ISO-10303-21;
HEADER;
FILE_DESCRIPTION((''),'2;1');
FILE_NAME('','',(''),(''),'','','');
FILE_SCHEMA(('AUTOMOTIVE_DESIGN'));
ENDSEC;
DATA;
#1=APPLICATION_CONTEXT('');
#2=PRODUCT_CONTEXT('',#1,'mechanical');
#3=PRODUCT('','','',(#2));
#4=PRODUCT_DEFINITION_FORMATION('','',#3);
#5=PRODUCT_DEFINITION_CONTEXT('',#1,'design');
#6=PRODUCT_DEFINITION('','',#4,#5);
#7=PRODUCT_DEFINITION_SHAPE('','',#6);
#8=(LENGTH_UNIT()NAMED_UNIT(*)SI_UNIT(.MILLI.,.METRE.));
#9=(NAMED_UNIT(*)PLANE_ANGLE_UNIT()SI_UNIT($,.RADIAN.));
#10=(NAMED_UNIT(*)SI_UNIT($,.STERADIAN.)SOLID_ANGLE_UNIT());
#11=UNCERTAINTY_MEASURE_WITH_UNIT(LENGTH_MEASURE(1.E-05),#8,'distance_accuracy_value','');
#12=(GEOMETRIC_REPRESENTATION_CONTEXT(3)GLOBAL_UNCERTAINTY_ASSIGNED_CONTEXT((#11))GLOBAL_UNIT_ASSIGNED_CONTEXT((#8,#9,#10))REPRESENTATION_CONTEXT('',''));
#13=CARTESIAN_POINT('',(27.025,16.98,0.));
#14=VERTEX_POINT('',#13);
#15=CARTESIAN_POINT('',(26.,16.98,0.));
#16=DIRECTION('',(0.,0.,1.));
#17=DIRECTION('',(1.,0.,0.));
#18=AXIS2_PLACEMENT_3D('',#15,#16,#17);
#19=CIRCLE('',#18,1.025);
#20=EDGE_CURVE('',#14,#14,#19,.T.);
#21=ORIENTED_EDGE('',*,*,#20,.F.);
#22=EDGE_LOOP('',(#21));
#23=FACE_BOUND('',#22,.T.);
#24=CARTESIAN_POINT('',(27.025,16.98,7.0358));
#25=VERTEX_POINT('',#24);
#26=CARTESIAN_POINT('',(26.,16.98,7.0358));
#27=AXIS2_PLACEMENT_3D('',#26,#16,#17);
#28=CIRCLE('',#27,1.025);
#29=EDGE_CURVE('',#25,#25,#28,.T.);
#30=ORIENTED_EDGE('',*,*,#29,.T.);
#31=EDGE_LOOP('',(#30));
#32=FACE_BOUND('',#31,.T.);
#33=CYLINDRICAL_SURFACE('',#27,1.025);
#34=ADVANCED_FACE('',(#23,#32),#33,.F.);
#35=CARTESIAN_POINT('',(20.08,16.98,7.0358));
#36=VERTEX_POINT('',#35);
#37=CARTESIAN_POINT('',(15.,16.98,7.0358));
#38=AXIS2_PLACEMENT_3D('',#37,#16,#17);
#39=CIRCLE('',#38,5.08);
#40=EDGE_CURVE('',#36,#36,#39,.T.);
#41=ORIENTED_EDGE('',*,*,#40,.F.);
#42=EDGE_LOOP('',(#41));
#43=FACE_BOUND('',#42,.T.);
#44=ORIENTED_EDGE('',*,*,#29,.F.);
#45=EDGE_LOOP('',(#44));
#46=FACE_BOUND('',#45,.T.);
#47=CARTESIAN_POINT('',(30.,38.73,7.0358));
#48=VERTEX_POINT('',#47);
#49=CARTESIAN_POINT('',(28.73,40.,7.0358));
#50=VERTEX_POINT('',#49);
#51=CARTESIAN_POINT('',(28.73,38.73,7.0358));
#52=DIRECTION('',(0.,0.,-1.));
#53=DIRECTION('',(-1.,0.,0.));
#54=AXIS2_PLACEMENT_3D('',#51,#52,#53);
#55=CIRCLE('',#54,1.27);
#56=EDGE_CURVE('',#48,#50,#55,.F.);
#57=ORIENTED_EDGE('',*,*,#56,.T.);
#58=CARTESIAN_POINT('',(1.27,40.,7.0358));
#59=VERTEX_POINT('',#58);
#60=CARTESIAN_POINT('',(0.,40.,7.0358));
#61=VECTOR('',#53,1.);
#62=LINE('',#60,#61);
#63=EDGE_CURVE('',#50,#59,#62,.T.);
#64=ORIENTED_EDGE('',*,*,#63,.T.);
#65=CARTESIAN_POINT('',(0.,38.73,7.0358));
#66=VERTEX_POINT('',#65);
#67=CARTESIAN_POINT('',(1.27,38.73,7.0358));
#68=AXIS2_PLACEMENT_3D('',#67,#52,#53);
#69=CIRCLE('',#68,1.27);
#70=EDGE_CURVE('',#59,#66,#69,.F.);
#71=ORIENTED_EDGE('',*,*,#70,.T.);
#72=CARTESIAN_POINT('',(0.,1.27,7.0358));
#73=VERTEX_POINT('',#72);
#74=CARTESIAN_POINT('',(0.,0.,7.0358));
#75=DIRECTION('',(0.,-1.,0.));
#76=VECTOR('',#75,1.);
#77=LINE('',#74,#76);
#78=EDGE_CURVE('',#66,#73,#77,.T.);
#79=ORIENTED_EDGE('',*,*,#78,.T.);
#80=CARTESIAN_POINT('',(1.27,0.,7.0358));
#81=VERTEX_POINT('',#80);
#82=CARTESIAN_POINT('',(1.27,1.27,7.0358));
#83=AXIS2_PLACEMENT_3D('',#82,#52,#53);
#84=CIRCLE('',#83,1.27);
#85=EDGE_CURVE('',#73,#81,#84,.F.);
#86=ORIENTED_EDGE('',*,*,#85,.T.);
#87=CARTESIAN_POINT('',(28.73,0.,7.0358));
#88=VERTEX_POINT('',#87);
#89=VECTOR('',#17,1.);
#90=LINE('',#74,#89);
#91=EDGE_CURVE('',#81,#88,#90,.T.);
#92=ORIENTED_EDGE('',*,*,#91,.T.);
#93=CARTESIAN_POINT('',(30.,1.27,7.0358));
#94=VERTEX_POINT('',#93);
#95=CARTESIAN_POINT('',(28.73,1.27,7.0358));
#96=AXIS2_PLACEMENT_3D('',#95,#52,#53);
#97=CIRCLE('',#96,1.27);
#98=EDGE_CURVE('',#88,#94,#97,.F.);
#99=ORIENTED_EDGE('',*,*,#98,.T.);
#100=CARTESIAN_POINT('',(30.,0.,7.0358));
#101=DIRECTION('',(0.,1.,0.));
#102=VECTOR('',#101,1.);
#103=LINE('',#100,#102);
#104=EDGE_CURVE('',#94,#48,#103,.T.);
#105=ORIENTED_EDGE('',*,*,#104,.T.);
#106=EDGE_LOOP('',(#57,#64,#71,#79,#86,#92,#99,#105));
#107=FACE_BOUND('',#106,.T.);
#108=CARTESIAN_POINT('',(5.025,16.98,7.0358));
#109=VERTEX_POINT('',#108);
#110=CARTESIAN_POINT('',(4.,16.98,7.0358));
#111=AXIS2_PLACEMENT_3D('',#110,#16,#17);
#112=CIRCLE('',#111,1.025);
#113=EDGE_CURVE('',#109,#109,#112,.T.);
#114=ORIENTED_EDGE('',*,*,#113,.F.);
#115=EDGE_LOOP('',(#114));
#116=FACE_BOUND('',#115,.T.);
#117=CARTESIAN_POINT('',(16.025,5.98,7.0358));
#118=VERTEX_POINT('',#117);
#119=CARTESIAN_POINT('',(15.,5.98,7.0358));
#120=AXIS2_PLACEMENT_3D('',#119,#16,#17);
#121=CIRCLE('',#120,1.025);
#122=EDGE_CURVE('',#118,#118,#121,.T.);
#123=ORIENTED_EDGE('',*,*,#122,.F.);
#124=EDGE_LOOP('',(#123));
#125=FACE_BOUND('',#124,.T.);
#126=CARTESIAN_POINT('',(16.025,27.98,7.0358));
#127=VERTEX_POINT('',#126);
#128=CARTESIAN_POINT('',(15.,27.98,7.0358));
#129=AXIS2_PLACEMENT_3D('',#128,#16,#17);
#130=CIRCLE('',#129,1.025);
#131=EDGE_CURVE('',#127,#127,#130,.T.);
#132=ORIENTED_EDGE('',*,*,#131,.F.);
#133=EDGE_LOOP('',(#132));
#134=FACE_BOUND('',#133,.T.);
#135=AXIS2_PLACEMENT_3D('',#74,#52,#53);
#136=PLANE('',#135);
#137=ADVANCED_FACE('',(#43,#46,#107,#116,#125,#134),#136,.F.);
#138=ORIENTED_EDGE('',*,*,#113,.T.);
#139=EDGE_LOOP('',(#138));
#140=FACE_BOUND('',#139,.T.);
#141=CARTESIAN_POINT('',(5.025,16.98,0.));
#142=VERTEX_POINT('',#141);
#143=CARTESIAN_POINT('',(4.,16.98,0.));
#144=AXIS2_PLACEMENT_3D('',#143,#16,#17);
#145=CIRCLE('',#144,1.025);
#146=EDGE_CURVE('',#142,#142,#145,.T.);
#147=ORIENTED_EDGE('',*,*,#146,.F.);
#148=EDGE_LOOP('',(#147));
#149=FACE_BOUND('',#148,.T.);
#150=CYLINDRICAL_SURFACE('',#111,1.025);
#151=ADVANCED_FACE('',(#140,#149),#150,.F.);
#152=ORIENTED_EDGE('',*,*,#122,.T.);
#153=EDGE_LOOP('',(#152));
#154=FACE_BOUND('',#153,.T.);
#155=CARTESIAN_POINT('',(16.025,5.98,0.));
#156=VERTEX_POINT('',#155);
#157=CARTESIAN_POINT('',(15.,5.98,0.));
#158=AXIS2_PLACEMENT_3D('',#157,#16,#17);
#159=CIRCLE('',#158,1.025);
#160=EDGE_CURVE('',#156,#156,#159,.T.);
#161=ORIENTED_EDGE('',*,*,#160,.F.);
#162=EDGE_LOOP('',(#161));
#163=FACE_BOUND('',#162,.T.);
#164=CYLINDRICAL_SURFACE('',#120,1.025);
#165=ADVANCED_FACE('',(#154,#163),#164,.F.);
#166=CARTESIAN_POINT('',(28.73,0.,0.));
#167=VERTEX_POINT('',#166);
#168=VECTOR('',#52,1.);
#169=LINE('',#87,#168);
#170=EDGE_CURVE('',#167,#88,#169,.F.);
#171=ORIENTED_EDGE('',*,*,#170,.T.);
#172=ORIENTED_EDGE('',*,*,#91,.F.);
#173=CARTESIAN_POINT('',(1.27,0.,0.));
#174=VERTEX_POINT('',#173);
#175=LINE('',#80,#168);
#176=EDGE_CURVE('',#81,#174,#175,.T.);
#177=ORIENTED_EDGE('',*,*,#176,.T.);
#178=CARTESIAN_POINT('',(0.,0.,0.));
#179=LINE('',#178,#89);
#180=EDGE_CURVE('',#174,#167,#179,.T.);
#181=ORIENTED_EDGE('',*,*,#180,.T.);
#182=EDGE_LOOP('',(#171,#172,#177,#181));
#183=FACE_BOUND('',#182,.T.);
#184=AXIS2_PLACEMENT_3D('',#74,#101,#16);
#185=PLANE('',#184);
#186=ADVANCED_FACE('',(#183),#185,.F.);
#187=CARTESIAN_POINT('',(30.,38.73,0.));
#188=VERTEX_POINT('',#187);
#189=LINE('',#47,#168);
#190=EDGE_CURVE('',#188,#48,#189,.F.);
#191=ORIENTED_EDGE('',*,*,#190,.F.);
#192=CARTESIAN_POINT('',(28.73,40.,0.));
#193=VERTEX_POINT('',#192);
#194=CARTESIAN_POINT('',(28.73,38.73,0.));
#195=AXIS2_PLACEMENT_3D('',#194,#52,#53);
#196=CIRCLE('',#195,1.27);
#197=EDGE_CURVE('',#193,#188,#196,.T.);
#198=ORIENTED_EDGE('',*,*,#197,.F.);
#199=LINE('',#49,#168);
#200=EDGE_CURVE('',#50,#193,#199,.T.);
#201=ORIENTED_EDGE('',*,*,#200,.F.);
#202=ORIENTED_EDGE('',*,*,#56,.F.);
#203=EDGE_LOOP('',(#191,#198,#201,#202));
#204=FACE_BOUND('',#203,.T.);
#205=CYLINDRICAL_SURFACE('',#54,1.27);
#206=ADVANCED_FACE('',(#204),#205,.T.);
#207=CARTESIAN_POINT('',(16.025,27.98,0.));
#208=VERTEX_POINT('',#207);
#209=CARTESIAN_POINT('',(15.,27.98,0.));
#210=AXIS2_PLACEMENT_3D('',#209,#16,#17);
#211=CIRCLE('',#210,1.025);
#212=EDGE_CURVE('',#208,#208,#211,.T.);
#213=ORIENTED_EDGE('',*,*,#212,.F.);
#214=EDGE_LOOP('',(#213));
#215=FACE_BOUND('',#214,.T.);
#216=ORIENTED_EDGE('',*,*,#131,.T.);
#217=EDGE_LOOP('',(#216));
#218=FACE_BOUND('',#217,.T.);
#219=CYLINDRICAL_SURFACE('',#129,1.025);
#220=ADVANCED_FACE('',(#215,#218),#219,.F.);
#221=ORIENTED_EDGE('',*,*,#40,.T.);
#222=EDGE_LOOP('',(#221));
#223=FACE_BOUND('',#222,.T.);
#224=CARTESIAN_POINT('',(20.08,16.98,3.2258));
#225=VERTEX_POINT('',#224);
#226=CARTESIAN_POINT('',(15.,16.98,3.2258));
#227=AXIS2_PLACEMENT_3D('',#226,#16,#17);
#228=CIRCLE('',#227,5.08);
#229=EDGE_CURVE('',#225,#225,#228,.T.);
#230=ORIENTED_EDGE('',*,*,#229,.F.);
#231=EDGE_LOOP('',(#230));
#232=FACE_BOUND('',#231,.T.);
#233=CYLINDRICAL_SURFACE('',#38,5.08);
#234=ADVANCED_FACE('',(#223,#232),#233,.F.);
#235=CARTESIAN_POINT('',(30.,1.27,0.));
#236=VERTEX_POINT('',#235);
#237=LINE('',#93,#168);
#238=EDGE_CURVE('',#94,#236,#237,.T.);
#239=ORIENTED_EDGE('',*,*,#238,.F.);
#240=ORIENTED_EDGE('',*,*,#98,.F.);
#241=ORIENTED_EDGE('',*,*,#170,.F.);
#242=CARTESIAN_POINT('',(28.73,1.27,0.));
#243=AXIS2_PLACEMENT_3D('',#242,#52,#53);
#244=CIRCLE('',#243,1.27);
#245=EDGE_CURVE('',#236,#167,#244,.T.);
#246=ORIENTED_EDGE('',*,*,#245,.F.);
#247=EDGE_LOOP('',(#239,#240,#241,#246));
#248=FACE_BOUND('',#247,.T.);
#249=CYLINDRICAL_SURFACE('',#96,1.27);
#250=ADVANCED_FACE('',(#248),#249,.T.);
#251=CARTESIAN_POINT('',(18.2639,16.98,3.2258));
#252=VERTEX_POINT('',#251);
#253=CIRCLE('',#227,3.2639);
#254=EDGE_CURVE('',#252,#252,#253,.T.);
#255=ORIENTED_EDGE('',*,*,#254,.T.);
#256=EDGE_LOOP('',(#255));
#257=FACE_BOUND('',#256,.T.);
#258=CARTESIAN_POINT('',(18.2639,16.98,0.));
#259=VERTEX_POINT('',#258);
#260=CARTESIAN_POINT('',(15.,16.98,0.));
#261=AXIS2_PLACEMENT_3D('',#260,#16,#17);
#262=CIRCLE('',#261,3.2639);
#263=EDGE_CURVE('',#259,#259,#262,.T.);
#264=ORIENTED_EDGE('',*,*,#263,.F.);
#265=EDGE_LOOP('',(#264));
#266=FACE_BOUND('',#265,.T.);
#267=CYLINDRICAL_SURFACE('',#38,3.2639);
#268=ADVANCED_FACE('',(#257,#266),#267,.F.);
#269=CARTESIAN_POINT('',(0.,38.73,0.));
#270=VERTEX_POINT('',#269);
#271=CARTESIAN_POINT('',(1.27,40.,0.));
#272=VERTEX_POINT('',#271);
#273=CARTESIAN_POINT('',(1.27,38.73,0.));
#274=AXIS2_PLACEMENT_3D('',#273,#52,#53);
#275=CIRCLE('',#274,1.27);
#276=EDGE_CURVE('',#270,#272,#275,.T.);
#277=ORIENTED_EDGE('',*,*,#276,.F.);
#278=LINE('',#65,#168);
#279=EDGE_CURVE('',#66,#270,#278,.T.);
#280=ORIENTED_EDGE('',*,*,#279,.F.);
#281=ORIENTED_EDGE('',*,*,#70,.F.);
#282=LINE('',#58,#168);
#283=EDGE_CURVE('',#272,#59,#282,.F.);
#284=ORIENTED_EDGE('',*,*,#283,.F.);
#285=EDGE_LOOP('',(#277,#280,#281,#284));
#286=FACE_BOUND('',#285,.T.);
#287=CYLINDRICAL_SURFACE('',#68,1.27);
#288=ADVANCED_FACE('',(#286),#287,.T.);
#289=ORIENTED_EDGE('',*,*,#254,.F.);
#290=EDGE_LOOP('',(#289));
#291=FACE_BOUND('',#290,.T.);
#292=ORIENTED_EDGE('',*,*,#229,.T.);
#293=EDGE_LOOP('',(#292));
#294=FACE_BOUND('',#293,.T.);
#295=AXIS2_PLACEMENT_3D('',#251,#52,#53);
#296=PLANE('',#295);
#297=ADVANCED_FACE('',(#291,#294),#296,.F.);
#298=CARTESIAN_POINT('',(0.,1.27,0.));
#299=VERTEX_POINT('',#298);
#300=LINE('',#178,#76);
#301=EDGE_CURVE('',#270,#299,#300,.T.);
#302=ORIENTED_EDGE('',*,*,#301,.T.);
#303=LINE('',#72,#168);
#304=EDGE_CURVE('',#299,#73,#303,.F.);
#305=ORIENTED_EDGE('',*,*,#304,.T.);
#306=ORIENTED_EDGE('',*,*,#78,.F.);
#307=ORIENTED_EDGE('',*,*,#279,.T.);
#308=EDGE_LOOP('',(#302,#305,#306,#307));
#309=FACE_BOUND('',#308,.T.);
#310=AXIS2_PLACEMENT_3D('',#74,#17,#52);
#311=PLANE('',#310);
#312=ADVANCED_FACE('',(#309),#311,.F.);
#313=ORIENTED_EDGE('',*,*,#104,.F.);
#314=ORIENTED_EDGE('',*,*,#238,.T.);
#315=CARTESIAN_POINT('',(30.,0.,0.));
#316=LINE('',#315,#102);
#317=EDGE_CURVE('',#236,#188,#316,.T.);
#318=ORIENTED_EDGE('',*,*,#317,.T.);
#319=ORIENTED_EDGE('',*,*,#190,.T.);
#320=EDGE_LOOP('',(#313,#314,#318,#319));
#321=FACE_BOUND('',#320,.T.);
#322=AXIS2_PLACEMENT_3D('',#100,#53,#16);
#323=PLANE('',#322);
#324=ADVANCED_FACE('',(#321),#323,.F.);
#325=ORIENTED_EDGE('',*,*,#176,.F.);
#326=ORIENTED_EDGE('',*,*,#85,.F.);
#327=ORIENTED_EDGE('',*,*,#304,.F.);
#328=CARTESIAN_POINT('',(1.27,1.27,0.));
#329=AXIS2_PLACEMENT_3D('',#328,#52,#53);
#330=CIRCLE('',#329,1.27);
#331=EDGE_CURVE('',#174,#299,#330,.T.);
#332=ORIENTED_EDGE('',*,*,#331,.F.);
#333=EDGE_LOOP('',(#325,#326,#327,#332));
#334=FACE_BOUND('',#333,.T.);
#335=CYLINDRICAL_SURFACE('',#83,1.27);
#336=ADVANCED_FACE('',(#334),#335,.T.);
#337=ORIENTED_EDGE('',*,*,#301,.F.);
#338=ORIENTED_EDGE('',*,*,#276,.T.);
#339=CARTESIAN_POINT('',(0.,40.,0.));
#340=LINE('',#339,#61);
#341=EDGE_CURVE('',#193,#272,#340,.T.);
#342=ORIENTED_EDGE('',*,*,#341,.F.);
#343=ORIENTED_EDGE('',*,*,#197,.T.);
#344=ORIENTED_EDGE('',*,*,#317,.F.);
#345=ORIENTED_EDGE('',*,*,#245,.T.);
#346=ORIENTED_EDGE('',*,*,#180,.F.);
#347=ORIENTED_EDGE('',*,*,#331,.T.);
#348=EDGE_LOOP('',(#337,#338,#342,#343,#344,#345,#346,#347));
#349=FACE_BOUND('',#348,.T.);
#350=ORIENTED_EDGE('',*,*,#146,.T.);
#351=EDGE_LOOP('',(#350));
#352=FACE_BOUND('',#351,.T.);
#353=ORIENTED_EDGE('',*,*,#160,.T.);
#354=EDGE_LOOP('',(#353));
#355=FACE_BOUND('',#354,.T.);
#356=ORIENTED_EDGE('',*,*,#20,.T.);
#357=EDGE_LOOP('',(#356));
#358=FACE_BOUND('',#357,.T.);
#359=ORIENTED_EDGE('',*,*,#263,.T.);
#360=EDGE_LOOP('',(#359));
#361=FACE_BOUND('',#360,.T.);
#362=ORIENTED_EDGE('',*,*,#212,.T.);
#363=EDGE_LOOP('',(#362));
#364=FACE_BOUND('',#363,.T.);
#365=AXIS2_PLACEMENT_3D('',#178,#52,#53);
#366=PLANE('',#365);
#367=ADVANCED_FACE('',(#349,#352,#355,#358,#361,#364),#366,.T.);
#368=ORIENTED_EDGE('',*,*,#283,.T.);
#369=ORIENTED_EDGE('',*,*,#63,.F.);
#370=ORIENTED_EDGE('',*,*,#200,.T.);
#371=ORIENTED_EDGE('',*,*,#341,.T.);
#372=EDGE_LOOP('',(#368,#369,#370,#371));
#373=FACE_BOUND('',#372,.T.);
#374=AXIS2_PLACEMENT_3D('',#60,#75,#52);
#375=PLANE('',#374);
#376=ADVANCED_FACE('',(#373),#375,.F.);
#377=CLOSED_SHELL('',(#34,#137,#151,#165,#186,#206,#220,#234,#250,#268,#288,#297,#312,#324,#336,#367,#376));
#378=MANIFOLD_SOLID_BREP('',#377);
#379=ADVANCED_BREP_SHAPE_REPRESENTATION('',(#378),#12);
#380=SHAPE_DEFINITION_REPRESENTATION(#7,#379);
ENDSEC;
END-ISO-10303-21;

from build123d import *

# Parameters (mm, degrees)
SKETCH1_W                                        = 30
SKETCH1_H                                        = 40
BOSS_EXTRUDE1_DEPTH                              = 7.0358
TAP_DRILL_FOR_M2_5X0_45_TAP1_D                   = 2.05
CBORE_FOR_1_4_SOCKET_HEAD_CAP_SCREW1_D           = 6.5278
CBORE_FOR_1_4_SOCKET_HEAD_CAP_SCREW1_CBORE_D     = 10.16
CBORE_FOR_1_4_SOCKET_HEAD_CAP_SCREW1_CBORE_DEPTH = 3.81
FILLET1_R                                        = 1.27


with BuildPart() as part:
    # Sketch1 → Boss-Extrude1 (new body)
    with BuildSketch(Plane.XY):
        with Locations((15, 20)):
            Rectangle(SKETCH1_W, SKETCH1_H)
    extrude(amount=BOSS_EXTRUDE1_DEPTH)

    # Tap Drill for M2.5x0.45 Tap1 (through all)
    with Locations(Plane.XY.offset(7.0358)):
        with Locations((15, 27.98), (26, 16.98), (15, 5.98), (4, 16.98)):
            Hole(TAP_DRILL_FOR_M2_5X0_45_TAP1_D / 2)

    # CBORE for 1/4 Socket Head Cap Screw1 (through all)
    with Locations(Plane.XY.offset(7.0358)):
        with Locations((15, 16.98)):
            CounterBoreHole(CBORE_FOR_1_4_SOCKET_HEAD_CAP_SCREW1_D / 2, CBORE_FOR_1_4_SOCKET_HEAD_CAP_SCREW1_CBORE_D / 2, CBORE_FOR_1_4_SOCKET_HEAD_CAP_SCREW1_CBORE_DEPTH)

    # Fillet1
    fillet1_edges = [part.edges().sort_by_distance(p)[0] for p in [
        (0, 40, 3.5179),
        (30, 40, 3.5179),
        (30, 0, 3.5179),
        (0, 0, 3.5179),
    ]]
    fillet(fillet1_edges, radius=FILLET1_R)


solid = part.part
